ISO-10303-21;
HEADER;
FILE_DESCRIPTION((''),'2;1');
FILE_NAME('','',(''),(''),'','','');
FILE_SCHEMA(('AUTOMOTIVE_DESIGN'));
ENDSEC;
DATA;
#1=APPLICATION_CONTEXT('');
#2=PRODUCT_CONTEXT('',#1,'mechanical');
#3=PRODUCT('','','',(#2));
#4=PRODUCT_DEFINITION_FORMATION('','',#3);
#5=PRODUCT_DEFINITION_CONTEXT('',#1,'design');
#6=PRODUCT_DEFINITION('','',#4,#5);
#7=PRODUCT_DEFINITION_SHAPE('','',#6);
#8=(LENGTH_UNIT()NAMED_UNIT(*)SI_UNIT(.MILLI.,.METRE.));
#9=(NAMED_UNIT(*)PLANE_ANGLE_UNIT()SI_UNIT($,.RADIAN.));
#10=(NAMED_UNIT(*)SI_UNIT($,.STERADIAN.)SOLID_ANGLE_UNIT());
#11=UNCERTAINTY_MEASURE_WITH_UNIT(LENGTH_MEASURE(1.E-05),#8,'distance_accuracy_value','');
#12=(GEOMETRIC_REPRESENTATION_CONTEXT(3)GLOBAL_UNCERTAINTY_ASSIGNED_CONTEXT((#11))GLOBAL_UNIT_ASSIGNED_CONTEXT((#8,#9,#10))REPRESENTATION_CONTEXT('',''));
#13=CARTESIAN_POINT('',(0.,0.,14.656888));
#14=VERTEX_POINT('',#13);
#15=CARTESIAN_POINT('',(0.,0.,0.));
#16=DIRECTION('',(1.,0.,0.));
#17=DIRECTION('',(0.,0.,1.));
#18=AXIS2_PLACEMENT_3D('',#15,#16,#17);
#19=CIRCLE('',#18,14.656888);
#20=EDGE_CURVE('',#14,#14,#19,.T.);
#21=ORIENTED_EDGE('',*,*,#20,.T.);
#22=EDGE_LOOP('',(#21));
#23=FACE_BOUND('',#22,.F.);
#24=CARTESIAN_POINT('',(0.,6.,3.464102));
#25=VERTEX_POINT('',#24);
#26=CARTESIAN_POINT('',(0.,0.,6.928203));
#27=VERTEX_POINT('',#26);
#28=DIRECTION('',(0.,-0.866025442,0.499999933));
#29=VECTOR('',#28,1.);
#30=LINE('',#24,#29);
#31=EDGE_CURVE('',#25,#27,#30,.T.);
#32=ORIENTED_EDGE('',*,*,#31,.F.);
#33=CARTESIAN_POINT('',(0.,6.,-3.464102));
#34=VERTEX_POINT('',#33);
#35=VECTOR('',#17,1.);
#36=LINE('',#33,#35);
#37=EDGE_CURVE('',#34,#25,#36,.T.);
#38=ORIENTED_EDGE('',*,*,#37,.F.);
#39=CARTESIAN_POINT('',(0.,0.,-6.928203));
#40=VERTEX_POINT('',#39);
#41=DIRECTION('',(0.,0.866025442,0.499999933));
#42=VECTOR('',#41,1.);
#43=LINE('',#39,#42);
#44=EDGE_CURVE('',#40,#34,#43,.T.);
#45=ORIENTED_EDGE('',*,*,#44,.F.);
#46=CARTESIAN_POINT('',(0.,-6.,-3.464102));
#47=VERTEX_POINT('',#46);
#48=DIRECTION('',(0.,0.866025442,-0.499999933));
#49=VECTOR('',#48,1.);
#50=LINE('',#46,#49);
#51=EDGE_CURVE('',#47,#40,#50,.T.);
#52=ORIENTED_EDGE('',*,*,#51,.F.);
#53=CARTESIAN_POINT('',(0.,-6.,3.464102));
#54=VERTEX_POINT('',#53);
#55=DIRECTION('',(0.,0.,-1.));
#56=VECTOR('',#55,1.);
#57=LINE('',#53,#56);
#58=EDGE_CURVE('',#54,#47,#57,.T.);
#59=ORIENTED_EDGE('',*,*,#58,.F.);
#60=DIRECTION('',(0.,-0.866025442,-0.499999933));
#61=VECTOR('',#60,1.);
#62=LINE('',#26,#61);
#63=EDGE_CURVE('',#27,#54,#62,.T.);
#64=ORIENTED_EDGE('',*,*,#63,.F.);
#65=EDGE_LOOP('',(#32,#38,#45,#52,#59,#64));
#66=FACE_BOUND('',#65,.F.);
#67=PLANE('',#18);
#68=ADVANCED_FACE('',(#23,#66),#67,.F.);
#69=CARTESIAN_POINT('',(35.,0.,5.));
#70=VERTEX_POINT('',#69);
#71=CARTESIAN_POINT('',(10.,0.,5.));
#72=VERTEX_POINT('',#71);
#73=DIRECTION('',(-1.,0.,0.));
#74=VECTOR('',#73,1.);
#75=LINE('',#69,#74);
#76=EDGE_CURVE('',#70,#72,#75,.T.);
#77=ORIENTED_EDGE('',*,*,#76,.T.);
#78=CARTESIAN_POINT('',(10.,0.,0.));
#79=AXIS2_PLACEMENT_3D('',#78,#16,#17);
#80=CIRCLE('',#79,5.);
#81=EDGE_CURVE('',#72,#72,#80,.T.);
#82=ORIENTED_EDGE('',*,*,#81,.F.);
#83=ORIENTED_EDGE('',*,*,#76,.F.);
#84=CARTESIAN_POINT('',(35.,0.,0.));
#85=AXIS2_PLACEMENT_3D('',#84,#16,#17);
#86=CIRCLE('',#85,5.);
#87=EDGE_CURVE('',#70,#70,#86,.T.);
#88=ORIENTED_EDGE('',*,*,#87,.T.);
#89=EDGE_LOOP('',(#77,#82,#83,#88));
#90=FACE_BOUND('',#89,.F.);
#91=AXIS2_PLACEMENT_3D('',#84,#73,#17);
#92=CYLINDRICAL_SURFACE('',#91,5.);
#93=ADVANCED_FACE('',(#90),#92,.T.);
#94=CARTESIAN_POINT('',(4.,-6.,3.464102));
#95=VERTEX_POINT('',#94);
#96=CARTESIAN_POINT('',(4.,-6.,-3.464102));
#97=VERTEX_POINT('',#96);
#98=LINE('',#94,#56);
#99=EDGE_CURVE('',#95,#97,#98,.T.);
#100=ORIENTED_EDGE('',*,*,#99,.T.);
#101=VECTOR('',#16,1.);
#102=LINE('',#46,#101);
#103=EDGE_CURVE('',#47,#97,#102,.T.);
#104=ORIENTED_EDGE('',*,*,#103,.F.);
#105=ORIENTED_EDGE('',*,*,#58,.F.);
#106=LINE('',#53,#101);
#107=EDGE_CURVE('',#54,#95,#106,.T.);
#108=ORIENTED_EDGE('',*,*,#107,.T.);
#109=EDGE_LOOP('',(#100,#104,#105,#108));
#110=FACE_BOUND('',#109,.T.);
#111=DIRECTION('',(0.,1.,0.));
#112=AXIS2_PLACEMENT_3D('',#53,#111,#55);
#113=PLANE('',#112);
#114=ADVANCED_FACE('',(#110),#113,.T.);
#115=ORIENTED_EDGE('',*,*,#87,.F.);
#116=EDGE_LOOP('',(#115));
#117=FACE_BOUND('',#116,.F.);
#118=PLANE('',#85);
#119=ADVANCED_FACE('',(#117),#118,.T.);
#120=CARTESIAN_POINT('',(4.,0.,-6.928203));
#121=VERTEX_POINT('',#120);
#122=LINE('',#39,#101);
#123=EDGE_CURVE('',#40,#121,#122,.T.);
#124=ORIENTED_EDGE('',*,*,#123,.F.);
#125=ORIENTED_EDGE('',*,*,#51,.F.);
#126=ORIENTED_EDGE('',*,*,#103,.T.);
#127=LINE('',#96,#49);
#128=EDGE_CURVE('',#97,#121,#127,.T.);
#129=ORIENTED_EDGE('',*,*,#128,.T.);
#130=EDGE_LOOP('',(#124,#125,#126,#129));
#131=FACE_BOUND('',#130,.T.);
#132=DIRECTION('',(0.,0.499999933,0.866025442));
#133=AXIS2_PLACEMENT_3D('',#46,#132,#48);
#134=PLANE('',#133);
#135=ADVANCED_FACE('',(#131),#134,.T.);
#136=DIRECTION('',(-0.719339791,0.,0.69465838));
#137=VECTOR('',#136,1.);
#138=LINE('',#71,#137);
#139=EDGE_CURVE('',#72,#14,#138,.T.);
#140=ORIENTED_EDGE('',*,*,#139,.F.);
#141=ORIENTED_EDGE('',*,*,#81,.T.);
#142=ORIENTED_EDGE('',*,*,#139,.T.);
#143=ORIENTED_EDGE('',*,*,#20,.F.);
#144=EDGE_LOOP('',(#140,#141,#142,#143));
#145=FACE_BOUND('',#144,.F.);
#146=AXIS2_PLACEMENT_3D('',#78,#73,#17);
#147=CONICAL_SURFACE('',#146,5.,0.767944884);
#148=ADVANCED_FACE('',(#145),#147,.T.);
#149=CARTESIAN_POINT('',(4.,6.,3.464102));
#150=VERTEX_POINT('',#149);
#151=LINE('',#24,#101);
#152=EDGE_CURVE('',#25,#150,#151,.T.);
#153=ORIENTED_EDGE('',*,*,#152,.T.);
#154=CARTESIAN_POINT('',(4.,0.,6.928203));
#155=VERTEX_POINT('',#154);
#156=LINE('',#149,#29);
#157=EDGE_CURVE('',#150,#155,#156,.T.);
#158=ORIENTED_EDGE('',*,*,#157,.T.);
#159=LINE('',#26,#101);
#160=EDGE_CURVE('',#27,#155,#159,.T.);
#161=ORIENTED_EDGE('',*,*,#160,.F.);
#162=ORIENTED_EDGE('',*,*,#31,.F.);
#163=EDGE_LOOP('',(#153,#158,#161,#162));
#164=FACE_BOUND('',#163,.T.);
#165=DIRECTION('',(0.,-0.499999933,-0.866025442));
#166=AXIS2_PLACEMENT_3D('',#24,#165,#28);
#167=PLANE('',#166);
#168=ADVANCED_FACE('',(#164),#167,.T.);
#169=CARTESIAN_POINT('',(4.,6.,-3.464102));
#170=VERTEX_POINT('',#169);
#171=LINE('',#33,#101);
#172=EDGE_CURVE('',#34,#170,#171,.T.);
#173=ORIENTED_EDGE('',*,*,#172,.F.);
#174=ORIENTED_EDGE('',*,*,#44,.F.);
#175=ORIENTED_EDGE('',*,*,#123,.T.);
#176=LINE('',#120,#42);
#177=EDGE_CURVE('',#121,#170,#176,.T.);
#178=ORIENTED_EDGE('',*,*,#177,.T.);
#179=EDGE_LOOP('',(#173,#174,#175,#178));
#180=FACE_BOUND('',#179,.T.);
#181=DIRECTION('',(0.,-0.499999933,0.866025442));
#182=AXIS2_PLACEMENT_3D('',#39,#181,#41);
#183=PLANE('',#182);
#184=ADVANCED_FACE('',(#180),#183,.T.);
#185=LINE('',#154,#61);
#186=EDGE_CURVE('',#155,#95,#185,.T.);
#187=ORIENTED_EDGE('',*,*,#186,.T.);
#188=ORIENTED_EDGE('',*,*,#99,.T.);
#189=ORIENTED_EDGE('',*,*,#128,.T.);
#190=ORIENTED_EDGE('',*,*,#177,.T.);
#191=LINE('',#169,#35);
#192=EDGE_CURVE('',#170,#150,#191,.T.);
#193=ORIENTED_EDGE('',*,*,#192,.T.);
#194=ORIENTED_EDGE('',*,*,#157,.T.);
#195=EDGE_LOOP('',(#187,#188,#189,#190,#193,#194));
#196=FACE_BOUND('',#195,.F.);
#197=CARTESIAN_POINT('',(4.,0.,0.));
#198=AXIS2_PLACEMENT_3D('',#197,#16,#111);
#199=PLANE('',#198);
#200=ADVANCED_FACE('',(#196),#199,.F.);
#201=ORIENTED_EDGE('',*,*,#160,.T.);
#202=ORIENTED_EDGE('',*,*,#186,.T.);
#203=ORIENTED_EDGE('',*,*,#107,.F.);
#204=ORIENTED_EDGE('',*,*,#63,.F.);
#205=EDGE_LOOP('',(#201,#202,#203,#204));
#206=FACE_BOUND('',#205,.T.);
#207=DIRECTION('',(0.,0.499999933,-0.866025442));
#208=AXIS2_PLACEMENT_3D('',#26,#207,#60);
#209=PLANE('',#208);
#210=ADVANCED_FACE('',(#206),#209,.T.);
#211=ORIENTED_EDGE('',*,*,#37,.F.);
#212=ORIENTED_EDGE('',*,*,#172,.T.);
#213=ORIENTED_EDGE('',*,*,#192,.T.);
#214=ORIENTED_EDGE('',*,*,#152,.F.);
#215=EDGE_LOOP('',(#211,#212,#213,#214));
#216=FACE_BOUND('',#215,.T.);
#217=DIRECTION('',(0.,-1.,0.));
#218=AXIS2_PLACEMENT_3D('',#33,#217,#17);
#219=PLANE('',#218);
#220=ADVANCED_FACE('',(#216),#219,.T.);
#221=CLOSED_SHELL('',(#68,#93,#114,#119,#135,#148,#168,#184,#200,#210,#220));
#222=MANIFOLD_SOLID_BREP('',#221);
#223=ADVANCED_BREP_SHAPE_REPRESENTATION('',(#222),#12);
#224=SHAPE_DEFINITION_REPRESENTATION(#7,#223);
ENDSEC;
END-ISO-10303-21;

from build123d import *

# Parameters (mm, degrees)
F3_DEPTH = 4


with BuildPart() as f1:
    # F0 (on Front) → F1 (revolve)
    with BuildSketch(Plane.XZ):
        Polygon((0, 14.656888), (0, 0), (35, 0), (35, 5), (10, 5), align=None)
    revolve(axis=Axis((17.5, 0, 0), (1, 0, 0)))

    # F2 (on Right) → F3 (cut)
    with BuildSketch(Plane.YZ):
        Polygon((0, 6.928203), (-6, 3.464102), (-6, -3.464102), (0, -6.928203), (6, -3.464102), (6, 3.464102), align=None)
    extrude(amount=F3_DEPTH, mode=Mode.SUBTRACT)


solid = f1.part
